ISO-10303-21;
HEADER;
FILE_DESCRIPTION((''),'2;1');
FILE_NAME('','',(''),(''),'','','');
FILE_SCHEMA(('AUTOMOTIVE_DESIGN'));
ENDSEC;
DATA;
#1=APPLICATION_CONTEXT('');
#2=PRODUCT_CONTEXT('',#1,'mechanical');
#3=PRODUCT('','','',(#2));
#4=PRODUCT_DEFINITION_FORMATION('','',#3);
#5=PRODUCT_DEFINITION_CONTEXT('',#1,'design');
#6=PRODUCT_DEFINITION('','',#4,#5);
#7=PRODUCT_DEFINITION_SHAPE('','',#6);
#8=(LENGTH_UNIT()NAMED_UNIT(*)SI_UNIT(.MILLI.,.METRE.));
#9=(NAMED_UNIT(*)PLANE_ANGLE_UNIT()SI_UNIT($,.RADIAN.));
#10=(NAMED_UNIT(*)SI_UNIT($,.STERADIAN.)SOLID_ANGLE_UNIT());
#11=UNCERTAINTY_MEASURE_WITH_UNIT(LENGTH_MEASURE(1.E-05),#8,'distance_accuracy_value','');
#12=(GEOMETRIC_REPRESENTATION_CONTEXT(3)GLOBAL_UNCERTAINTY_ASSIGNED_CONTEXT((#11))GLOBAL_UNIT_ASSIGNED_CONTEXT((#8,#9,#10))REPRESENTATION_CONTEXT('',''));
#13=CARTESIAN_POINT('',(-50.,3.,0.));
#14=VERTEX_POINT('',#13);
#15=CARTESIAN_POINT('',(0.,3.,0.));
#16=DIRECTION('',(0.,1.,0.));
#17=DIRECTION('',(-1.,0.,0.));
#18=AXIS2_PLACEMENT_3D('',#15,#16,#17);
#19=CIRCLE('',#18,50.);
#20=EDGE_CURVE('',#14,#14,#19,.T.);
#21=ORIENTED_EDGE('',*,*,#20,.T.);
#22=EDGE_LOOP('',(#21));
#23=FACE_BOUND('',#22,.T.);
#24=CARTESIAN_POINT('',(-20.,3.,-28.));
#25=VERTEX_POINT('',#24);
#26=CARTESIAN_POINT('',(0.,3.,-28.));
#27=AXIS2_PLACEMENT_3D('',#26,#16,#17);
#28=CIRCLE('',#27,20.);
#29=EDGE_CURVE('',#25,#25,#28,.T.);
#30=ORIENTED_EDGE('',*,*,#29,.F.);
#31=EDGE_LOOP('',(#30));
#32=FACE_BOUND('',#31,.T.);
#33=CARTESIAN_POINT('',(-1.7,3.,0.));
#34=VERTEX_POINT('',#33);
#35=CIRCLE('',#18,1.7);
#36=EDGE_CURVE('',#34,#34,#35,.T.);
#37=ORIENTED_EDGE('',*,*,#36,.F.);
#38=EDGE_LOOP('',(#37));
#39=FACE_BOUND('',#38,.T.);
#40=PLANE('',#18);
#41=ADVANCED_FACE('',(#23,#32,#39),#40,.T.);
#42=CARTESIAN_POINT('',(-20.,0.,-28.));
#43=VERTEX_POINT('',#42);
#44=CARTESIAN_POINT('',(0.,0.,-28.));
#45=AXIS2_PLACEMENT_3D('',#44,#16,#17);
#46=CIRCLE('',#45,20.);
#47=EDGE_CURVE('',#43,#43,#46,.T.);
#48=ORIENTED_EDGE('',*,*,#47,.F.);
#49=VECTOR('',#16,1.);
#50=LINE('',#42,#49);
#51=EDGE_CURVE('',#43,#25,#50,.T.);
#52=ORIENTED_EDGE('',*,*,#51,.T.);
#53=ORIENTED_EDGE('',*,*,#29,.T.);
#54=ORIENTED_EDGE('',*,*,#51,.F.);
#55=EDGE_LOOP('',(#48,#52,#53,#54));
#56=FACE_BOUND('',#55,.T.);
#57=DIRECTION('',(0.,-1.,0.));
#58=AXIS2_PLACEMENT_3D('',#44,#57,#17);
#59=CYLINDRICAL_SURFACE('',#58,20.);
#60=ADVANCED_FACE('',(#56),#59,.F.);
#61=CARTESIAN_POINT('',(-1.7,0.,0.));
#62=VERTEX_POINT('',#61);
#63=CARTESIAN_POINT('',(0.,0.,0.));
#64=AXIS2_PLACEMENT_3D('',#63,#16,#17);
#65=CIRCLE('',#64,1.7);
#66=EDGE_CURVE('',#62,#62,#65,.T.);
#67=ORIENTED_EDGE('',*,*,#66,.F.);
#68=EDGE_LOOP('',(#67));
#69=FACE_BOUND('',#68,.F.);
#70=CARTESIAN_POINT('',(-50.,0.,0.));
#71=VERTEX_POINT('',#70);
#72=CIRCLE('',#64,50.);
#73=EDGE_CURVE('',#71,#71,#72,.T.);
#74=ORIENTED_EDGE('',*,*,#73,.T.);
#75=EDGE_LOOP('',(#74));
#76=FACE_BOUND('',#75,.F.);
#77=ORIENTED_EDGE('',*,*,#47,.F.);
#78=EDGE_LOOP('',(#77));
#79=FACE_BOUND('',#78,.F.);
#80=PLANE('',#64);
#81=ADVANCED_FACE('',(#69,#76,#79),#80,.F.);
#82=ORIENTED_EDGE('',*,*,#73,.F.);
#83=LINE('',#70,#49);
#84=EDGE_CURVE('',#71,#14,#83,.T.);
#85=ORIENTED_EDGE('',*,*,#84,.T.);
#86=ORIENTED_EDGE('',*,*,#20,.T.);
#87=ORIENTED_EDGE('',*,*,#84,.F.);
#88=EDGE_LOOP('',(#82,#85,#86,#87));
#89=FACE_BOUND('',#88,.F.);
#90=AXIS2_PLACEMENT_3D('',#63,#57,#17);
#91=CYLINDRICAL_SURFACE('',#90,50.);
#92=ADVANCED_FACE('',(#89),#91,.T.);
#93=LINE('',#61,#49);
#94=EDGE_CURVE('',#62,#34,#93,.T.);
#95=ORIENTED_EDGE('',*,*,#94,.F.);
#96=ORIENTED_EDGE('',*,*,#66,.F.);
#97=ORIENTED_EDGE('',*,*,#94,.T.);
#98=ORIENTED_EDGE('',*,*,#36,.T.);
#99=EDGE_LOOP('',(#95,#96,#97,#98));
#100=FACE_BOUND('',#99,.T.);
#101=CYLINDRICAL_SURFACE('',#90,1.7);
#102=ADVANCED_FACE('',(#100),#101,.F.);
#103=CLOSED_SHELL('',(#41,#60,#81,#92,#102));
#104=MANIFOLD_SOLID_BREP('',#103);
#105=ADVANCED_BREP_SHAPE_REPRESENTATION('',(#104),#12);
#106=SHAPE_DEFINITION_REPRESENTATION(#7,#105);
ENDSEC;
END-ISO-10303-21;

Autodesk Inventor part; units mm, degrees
ref_plane "YZ Plane" through (0, 0, 0) normal (1, 0, 0) x (0, 1, 0)
ref_plane "XZ Plane" through (0, 0, 0) normal (0, 1, 0) x (-1, 0, 0)
ref_plane "XY Plane" through (0, 0, 0) normal (0, 0, 1) x (1, 0, 0)
sketch "Sketch1" plane through (0, 0, 0) normal (0, 1, 0) x (-1, 0, 0)
  circle A0 centre (0, 0) radius 50
  circle A1 centre (0, -28) radius 20
  circle A2 centre (0, 0) radius 1.7
  dimension "d0" = 100
  dimension "d11" = 40
  dimension "d12" = 3.4
  dimension "d13" = 28
extrude "Extrusion3" add sketch "Sketch1" along normal blind 3
properties part number "Rotator_(3mm)"
